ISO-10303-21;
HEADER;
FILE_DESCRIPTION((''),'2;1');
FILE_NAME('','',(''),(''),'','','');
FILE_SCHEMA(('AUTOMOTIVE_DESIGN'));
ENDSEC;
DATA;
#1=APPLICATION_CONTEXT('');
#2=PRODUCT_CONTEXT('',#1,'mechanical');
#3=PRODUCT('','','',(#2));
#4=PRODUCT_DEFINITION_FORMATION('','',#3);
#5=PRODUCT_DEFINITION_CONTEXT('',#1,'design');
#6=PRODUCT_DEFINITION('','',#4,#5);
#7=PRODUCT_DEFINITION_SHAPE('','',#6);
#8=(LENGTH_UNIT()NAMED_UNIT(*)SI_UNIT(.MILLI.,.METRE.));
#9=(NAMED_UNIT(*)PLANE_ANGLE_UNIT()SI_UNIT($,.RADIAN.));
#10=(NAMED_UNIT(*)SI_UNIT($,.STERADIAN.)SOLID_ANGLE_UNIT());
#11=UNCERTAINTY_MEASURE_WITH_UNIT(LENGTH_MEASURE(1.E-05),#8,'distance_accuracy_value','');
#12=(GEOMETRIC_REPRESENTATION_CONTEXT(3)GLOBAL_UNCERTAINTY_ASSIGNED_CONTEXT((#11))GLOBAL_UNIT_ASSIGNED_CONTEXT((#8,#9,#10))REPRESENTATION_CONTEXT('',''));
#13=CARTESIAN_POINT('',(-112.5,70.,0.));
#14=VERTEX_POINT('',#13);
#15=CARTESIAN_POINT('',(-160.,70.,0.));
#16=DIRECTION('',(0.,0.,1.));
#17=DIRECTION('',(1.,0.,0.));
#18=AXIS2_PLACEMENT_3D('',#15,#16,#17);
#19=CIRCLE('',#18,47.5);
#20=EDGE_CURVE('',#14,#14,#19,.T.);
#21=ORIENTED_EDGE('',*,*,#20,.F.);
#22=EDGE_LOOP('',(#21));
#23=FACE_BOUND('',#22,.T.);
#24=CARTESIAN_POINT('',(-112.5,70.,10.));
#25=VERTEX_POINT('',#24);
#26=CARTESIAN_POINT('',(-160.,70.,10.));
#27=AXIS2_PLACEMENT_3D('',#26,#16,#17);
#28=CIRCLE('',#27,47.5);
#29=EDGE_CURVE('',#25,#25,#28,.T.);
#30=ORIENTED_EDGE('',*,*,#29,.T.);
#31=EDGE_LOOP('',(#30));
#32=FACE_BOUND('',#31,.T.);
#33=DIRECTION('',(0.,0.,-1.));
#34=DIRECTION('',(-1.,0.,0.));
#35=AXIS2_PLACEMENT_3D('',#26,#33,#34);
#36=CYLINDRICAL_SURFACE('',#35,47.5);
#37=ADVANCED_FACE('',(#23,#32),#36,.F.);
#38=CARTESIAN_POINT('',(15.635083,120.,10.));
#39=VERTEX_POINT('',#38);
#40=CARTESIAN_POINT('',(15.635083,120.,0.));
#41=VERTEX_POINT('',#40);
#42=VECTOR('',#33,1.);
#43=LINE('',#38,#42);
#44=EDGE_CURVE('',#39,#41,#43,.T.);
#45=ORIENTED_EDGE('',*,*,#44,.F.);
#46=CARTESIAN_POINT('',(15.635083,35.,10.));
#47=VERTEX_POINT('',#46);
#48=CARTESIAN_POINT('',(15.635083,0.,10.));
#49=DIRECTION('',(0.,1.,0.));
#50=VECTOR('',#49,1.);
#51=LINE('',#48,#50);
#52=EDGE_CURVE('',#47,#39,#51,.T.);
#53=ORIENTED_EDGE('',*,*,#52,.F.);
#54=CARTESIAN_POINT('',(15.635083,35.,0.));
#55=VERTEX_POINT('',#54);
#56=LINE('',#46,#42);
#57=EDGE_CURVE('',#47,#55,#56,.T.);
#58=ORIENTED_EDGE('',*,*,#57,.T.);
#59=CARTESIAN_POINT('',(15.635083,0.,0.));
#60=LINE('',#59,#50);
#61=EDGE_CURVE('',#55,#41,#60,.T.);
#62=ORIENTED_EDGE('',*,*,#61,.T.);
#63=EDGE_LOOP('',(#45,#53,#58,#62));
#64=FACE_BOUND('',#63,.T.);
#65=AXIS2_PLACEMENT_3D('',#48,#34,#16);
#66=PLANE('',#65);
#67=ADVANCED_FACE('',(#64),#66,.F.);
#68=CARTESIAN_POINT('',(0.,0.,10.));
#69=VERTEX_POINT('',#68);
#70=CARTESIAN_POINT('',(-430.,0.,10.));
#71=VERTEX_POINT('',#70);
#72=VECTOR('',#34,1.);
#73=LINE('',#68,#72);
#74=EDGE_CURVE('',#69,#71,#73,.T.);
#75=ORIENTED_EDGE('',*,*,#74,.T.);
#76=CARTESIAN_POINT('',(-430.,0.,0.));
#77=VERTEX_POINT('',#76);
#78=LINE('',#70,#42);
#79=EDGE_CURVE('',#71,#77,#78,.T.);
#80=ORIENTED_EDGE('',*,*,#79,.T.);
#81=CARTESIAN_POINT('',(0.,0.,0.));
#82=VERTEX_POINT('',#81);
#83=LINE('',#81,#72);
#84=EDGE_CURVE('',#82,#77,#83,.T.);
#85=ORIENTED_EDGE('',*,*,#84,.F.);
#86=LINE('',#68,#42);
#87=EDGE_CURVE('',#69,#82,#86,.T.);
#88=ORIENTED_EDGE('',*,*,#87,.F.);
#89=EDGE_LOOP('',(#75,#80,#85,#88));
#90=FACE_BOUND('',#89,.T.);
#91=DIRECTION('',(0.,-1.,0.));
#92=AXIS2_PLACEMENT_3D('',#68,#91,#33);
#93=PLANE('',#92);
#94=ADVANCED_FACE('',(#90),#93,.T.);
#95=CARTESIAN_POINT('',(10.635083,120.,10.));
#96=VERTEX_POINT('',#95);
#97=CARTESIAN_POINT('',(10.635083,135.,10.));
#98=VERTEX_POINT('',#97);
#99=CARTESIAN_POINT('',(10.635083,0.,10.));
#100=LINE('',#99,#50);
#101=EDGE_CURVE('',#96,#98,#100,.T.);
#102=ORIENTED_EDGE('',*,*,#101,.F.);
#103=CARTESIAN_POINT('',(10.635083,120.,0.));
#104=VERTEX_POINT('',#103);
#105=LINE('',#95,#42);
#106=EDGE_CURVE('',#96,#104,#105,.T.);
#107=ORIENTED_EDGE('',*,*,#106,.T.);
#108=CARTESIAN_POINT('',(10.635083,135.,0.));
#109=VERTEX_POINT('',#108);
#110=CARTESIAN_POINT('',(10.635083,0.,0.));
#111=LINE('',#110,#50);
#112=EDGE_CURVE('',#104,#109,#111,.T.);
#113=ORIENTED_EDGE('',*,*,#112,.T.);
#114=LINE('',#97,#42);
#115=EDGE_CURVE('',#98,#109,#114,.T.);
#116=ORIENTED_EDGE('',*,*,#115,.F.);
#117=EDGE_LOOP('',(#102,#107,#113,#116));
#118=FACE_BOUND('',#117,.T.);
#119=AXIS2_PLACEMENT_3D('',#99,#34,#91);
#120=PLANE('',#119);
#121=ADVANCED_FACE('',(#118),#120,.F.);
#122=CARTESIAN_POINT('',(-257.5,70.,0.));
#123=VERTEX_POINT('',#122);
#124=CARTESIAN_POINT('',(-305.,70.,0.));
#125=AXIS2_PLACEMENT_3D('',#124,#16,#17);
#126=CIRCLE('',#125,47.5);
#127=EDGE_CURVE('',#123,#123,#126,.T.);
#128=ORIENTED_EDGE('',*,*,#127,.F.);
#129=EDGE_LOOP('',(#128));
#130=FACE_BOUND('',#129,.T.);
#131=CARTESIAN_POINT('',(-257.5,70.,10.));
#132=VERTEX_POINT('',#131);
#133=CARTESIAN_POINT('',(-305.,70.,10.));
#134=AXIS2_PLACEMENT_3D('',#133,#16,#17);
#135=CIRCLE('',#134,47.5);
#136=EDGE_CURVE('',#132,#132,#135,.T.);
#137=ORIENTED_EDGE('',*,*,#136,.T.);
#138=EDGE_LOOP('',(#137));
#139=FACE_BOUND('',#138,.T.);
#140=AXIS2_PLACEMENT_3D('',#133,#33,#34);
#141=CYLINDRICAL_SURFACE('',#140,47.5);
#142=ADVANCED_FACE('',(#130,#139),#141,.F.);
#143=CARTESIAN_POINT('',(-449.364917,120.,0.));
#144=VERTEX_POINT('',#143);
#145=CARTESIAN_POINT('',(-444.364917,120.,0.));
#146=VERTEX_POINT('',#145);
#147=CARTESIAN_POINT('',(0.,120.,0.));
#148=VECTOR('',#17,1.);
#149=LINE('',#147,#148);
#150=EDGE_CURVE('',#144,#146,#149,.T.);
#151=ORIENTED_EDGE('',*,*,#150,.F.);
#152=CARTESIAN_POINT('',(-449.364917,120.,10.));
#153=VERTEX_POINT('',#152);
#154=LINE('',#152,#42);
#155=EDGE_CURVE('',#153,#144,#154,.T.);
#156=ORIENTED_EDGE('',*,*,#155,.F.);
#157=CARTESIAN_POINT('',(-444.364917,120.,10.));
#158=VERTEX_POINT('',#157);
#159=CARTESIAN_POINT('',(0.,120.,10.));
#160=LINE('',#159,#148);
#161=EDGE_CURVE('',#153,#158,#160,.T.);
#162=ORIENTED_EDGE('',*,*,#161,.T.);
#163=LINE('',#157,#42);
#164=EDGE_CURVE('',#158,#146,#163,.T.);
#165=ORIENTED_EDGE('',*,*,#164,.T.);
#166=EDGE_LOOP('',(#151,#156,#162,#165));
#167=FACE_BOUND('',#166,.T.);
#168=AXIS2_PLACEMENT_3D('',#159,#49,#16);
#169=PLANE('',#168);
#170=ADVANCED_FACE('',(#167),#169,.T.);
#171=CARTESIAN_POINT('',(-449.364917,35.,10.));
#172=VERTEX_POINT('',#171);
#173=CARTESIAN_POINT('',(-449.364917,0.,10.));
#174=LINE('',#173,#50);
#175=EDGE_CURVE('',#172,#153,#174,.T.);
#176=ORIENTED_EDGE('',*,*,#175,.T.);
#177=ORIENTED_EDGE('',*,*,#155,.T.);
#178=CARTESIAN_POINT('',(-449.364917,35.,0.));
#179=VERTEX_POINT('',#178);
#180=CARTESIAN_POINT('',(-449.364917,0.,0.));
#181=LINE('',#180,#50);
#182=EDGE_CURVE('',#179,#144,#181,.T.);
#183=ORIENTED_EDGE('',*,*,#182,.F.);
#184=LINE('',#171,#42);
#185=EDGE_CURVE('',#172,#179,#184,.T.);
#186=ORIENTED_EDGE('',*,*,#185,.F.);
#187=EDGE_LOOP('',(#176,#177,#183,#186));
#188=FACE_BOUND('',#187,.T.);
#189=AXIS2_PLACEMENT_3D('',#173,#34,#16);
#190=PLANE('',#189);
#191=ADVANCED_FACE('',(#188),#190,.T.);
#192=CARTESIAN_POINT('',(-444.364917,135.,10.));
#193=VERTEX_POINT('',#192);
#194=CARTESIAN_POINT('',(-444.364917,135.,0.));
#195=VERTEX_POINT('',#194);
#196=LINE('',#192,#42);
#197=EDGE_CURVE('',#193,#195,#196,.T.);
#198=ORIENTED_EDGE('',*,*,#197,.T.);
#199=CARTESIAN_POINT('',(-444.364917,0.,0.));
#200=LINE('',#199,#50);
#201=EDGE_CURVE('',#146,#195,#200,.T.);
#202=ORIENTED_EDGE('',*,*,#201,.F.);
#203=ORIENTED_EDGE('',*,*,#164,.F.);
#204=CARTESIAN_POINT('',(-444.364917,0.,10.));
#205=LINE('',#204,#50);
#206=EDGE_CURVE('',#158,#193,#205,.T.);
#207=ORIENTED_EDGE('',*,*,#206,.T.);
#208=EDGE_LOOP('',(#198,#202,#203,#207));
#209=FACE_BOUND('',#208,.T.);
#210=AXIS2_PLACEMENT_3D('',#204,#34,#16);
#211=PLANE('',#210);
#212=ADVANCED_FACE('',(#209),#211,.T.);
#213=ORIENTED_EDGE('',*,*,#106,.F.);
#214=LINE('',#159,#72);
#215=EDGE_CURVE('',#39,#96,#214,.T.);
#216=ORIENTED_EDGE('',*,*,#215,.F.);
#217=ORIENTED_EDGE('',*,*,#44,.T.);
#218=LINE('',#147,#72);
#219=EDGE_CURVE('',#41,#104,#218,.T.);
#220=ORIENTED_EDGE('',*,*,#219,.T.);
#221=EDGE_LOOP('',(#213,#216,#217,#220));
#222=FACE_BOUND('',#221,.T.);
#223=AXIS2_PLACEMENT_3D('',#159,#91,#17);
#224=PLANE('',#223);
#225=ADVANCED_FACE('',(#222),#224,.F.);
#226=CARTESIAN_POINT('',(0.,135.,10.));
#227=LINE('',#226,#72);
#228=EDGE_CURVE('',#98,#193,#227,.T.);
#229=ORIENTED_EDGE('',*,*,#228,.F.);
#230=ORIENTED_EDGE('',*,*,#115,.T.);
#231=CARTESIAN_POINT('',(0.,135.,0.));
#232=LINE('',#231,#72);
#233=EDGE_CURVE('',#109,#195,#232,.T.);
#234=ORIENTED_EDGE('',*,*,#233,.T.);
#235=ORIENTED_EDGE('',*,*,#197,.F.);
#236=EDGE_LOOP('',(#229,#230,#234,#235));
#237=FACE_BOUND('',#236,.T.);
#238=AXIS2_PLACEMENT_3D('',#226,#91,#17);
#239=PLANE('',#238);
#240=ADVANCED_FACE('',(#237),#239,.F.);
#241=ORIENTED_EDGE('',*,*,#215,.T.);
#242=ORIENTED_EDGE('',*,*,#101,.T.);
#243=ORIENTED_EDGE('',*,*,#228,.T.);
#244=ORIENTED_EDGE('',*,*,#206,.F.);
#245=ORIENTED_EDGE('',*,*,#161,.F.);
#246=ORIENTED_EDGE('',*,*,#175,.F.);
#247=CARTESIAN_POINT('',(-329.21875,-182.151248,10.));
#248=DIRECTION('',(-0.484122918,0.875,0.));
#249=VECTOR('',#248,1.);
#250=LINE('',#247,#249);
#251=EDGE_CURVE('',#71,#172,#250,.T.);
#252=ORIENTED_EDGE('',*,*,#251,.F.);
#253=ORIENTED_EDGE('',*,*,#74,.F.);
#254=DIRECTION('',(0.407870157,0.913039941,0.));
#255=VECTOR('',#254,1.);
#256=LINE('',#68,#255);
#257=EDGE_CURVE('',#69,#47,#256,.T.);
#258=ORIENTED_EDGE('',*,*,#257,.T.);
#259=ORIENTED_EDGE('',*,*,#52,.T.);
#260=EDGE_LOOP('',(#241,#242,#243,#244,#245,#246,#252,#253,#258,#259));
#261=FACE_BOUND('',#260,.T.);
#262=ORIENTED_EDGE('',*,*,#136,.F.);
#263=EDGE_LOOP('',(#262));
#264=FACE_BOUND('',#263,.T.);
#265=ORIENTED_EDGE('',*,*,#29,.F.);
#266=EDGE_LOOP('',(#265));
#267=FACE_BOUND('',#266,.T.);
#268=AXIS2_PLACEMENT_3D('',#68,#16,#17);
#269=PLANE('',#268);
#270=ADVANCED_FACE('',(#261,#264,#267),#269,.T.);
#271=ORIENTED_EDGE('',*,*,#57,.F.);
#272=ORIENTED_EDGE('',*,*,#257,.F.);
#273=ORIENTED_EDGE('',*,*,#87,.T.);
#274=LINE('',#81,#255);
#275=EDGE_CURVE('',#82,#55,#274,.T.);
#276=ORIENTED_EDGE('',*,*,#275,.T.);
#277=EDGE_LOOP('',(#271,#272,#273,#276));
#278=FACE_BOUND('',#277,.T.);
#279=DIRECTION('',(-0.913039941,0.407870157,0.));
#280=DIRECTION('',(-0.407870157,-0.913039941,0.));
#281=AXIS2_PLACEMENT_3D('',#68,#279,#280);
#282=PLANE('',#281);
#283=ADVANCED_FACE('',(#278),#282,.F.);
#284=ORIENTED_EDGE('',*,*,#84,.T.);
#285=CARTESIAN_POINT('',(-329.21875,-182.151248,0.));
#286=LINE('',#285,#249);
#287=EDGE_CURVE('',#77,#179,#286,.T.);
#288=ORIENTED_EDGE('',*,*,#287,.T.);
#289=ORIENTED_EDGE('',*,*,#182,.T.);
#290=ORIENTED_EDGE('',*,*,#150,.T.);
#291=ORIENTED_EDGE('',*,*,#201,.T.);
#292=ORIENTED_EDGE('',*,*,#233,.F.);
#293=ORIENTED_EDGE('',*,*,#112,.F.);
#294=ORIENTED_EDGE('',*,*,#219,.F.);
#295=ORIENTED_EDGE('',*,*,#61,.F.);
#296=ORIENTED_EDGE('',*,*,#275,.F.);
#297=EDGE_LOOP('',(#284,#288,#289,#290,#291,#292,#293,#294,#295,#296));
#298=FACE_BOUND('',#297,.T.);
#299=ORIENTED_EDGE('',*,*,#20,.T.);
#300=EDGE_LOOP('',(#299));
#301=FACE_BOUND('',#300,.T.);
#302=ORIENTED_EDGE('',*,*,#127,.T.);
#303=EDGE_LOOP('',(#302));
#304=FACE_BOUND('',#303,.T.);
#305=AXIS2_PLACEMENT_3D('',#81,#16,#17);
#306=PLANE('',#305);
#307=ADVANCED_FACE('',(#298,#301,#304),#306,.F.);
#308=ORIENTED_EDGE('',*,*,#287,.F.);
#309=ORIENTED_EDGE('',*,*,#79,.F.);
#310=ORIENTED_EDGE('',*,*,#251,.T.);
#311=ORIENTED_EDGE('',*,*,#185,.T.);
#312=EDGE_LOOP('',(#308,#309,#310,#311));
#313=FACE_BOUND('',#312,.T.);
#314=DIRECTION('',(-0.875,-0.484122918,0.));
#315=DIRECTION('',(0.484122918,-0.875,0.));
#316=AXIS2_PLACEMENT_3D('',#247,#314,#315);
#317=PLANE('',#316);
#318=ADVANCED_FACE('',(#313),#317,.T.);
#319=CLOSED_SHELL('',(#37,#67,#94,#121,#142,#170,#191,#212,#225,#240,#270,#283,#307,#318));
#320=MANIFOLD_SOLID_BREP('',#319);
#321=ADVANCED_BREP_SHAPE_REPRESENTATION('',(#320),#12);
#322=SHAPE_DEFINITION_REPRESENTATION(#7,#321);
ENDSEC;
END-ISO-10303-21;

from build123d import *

# Parameters (mm, degrees)
SKETCH2_R           = 60
SKETCH2_R_2         = 47.5
BOSS_EXTRUDE2_DEPTH = 10


with BuildPart() as part:
    # Sketch2 → Boss-Extrude2 (new body)
    with BuildSketch(Plane.XY):
        Polygon((10.635083269, 120), (10.635083269, 135), (-444.364916731, 135), (-444.364916731, 120), (-449.364916731, 120), (-449.364916731, 35), (-430, 0), (0, 0), (15.635083269, 35), (15.635083269, 120), align=None)
        with Locations((-160, 70)):
            Circle(SKETCH2_R, mode=Mode.SUBTRACT)
        with Locations((-305, 70)):
            Circle(SKETCH2_R, mode=Mode.SUBTRACT)
        with Locations((-160, 70)):
            Circle(SKETCH2_R)
        with Locations((-160, 70)):
            Circle(SKETCH2_R_2, mode=Mode.SUBTRACT)
        with Locations((-305, 70)):
            Circle(SKETCH2_R)
        with Locations((-305, 70)):
            Circle(SKETCH2_R_2, mode=Mode.SUBTRACT)
    extrude(amount=BOSS_EXTRUDE2_DEPTH)


solid = part.part
